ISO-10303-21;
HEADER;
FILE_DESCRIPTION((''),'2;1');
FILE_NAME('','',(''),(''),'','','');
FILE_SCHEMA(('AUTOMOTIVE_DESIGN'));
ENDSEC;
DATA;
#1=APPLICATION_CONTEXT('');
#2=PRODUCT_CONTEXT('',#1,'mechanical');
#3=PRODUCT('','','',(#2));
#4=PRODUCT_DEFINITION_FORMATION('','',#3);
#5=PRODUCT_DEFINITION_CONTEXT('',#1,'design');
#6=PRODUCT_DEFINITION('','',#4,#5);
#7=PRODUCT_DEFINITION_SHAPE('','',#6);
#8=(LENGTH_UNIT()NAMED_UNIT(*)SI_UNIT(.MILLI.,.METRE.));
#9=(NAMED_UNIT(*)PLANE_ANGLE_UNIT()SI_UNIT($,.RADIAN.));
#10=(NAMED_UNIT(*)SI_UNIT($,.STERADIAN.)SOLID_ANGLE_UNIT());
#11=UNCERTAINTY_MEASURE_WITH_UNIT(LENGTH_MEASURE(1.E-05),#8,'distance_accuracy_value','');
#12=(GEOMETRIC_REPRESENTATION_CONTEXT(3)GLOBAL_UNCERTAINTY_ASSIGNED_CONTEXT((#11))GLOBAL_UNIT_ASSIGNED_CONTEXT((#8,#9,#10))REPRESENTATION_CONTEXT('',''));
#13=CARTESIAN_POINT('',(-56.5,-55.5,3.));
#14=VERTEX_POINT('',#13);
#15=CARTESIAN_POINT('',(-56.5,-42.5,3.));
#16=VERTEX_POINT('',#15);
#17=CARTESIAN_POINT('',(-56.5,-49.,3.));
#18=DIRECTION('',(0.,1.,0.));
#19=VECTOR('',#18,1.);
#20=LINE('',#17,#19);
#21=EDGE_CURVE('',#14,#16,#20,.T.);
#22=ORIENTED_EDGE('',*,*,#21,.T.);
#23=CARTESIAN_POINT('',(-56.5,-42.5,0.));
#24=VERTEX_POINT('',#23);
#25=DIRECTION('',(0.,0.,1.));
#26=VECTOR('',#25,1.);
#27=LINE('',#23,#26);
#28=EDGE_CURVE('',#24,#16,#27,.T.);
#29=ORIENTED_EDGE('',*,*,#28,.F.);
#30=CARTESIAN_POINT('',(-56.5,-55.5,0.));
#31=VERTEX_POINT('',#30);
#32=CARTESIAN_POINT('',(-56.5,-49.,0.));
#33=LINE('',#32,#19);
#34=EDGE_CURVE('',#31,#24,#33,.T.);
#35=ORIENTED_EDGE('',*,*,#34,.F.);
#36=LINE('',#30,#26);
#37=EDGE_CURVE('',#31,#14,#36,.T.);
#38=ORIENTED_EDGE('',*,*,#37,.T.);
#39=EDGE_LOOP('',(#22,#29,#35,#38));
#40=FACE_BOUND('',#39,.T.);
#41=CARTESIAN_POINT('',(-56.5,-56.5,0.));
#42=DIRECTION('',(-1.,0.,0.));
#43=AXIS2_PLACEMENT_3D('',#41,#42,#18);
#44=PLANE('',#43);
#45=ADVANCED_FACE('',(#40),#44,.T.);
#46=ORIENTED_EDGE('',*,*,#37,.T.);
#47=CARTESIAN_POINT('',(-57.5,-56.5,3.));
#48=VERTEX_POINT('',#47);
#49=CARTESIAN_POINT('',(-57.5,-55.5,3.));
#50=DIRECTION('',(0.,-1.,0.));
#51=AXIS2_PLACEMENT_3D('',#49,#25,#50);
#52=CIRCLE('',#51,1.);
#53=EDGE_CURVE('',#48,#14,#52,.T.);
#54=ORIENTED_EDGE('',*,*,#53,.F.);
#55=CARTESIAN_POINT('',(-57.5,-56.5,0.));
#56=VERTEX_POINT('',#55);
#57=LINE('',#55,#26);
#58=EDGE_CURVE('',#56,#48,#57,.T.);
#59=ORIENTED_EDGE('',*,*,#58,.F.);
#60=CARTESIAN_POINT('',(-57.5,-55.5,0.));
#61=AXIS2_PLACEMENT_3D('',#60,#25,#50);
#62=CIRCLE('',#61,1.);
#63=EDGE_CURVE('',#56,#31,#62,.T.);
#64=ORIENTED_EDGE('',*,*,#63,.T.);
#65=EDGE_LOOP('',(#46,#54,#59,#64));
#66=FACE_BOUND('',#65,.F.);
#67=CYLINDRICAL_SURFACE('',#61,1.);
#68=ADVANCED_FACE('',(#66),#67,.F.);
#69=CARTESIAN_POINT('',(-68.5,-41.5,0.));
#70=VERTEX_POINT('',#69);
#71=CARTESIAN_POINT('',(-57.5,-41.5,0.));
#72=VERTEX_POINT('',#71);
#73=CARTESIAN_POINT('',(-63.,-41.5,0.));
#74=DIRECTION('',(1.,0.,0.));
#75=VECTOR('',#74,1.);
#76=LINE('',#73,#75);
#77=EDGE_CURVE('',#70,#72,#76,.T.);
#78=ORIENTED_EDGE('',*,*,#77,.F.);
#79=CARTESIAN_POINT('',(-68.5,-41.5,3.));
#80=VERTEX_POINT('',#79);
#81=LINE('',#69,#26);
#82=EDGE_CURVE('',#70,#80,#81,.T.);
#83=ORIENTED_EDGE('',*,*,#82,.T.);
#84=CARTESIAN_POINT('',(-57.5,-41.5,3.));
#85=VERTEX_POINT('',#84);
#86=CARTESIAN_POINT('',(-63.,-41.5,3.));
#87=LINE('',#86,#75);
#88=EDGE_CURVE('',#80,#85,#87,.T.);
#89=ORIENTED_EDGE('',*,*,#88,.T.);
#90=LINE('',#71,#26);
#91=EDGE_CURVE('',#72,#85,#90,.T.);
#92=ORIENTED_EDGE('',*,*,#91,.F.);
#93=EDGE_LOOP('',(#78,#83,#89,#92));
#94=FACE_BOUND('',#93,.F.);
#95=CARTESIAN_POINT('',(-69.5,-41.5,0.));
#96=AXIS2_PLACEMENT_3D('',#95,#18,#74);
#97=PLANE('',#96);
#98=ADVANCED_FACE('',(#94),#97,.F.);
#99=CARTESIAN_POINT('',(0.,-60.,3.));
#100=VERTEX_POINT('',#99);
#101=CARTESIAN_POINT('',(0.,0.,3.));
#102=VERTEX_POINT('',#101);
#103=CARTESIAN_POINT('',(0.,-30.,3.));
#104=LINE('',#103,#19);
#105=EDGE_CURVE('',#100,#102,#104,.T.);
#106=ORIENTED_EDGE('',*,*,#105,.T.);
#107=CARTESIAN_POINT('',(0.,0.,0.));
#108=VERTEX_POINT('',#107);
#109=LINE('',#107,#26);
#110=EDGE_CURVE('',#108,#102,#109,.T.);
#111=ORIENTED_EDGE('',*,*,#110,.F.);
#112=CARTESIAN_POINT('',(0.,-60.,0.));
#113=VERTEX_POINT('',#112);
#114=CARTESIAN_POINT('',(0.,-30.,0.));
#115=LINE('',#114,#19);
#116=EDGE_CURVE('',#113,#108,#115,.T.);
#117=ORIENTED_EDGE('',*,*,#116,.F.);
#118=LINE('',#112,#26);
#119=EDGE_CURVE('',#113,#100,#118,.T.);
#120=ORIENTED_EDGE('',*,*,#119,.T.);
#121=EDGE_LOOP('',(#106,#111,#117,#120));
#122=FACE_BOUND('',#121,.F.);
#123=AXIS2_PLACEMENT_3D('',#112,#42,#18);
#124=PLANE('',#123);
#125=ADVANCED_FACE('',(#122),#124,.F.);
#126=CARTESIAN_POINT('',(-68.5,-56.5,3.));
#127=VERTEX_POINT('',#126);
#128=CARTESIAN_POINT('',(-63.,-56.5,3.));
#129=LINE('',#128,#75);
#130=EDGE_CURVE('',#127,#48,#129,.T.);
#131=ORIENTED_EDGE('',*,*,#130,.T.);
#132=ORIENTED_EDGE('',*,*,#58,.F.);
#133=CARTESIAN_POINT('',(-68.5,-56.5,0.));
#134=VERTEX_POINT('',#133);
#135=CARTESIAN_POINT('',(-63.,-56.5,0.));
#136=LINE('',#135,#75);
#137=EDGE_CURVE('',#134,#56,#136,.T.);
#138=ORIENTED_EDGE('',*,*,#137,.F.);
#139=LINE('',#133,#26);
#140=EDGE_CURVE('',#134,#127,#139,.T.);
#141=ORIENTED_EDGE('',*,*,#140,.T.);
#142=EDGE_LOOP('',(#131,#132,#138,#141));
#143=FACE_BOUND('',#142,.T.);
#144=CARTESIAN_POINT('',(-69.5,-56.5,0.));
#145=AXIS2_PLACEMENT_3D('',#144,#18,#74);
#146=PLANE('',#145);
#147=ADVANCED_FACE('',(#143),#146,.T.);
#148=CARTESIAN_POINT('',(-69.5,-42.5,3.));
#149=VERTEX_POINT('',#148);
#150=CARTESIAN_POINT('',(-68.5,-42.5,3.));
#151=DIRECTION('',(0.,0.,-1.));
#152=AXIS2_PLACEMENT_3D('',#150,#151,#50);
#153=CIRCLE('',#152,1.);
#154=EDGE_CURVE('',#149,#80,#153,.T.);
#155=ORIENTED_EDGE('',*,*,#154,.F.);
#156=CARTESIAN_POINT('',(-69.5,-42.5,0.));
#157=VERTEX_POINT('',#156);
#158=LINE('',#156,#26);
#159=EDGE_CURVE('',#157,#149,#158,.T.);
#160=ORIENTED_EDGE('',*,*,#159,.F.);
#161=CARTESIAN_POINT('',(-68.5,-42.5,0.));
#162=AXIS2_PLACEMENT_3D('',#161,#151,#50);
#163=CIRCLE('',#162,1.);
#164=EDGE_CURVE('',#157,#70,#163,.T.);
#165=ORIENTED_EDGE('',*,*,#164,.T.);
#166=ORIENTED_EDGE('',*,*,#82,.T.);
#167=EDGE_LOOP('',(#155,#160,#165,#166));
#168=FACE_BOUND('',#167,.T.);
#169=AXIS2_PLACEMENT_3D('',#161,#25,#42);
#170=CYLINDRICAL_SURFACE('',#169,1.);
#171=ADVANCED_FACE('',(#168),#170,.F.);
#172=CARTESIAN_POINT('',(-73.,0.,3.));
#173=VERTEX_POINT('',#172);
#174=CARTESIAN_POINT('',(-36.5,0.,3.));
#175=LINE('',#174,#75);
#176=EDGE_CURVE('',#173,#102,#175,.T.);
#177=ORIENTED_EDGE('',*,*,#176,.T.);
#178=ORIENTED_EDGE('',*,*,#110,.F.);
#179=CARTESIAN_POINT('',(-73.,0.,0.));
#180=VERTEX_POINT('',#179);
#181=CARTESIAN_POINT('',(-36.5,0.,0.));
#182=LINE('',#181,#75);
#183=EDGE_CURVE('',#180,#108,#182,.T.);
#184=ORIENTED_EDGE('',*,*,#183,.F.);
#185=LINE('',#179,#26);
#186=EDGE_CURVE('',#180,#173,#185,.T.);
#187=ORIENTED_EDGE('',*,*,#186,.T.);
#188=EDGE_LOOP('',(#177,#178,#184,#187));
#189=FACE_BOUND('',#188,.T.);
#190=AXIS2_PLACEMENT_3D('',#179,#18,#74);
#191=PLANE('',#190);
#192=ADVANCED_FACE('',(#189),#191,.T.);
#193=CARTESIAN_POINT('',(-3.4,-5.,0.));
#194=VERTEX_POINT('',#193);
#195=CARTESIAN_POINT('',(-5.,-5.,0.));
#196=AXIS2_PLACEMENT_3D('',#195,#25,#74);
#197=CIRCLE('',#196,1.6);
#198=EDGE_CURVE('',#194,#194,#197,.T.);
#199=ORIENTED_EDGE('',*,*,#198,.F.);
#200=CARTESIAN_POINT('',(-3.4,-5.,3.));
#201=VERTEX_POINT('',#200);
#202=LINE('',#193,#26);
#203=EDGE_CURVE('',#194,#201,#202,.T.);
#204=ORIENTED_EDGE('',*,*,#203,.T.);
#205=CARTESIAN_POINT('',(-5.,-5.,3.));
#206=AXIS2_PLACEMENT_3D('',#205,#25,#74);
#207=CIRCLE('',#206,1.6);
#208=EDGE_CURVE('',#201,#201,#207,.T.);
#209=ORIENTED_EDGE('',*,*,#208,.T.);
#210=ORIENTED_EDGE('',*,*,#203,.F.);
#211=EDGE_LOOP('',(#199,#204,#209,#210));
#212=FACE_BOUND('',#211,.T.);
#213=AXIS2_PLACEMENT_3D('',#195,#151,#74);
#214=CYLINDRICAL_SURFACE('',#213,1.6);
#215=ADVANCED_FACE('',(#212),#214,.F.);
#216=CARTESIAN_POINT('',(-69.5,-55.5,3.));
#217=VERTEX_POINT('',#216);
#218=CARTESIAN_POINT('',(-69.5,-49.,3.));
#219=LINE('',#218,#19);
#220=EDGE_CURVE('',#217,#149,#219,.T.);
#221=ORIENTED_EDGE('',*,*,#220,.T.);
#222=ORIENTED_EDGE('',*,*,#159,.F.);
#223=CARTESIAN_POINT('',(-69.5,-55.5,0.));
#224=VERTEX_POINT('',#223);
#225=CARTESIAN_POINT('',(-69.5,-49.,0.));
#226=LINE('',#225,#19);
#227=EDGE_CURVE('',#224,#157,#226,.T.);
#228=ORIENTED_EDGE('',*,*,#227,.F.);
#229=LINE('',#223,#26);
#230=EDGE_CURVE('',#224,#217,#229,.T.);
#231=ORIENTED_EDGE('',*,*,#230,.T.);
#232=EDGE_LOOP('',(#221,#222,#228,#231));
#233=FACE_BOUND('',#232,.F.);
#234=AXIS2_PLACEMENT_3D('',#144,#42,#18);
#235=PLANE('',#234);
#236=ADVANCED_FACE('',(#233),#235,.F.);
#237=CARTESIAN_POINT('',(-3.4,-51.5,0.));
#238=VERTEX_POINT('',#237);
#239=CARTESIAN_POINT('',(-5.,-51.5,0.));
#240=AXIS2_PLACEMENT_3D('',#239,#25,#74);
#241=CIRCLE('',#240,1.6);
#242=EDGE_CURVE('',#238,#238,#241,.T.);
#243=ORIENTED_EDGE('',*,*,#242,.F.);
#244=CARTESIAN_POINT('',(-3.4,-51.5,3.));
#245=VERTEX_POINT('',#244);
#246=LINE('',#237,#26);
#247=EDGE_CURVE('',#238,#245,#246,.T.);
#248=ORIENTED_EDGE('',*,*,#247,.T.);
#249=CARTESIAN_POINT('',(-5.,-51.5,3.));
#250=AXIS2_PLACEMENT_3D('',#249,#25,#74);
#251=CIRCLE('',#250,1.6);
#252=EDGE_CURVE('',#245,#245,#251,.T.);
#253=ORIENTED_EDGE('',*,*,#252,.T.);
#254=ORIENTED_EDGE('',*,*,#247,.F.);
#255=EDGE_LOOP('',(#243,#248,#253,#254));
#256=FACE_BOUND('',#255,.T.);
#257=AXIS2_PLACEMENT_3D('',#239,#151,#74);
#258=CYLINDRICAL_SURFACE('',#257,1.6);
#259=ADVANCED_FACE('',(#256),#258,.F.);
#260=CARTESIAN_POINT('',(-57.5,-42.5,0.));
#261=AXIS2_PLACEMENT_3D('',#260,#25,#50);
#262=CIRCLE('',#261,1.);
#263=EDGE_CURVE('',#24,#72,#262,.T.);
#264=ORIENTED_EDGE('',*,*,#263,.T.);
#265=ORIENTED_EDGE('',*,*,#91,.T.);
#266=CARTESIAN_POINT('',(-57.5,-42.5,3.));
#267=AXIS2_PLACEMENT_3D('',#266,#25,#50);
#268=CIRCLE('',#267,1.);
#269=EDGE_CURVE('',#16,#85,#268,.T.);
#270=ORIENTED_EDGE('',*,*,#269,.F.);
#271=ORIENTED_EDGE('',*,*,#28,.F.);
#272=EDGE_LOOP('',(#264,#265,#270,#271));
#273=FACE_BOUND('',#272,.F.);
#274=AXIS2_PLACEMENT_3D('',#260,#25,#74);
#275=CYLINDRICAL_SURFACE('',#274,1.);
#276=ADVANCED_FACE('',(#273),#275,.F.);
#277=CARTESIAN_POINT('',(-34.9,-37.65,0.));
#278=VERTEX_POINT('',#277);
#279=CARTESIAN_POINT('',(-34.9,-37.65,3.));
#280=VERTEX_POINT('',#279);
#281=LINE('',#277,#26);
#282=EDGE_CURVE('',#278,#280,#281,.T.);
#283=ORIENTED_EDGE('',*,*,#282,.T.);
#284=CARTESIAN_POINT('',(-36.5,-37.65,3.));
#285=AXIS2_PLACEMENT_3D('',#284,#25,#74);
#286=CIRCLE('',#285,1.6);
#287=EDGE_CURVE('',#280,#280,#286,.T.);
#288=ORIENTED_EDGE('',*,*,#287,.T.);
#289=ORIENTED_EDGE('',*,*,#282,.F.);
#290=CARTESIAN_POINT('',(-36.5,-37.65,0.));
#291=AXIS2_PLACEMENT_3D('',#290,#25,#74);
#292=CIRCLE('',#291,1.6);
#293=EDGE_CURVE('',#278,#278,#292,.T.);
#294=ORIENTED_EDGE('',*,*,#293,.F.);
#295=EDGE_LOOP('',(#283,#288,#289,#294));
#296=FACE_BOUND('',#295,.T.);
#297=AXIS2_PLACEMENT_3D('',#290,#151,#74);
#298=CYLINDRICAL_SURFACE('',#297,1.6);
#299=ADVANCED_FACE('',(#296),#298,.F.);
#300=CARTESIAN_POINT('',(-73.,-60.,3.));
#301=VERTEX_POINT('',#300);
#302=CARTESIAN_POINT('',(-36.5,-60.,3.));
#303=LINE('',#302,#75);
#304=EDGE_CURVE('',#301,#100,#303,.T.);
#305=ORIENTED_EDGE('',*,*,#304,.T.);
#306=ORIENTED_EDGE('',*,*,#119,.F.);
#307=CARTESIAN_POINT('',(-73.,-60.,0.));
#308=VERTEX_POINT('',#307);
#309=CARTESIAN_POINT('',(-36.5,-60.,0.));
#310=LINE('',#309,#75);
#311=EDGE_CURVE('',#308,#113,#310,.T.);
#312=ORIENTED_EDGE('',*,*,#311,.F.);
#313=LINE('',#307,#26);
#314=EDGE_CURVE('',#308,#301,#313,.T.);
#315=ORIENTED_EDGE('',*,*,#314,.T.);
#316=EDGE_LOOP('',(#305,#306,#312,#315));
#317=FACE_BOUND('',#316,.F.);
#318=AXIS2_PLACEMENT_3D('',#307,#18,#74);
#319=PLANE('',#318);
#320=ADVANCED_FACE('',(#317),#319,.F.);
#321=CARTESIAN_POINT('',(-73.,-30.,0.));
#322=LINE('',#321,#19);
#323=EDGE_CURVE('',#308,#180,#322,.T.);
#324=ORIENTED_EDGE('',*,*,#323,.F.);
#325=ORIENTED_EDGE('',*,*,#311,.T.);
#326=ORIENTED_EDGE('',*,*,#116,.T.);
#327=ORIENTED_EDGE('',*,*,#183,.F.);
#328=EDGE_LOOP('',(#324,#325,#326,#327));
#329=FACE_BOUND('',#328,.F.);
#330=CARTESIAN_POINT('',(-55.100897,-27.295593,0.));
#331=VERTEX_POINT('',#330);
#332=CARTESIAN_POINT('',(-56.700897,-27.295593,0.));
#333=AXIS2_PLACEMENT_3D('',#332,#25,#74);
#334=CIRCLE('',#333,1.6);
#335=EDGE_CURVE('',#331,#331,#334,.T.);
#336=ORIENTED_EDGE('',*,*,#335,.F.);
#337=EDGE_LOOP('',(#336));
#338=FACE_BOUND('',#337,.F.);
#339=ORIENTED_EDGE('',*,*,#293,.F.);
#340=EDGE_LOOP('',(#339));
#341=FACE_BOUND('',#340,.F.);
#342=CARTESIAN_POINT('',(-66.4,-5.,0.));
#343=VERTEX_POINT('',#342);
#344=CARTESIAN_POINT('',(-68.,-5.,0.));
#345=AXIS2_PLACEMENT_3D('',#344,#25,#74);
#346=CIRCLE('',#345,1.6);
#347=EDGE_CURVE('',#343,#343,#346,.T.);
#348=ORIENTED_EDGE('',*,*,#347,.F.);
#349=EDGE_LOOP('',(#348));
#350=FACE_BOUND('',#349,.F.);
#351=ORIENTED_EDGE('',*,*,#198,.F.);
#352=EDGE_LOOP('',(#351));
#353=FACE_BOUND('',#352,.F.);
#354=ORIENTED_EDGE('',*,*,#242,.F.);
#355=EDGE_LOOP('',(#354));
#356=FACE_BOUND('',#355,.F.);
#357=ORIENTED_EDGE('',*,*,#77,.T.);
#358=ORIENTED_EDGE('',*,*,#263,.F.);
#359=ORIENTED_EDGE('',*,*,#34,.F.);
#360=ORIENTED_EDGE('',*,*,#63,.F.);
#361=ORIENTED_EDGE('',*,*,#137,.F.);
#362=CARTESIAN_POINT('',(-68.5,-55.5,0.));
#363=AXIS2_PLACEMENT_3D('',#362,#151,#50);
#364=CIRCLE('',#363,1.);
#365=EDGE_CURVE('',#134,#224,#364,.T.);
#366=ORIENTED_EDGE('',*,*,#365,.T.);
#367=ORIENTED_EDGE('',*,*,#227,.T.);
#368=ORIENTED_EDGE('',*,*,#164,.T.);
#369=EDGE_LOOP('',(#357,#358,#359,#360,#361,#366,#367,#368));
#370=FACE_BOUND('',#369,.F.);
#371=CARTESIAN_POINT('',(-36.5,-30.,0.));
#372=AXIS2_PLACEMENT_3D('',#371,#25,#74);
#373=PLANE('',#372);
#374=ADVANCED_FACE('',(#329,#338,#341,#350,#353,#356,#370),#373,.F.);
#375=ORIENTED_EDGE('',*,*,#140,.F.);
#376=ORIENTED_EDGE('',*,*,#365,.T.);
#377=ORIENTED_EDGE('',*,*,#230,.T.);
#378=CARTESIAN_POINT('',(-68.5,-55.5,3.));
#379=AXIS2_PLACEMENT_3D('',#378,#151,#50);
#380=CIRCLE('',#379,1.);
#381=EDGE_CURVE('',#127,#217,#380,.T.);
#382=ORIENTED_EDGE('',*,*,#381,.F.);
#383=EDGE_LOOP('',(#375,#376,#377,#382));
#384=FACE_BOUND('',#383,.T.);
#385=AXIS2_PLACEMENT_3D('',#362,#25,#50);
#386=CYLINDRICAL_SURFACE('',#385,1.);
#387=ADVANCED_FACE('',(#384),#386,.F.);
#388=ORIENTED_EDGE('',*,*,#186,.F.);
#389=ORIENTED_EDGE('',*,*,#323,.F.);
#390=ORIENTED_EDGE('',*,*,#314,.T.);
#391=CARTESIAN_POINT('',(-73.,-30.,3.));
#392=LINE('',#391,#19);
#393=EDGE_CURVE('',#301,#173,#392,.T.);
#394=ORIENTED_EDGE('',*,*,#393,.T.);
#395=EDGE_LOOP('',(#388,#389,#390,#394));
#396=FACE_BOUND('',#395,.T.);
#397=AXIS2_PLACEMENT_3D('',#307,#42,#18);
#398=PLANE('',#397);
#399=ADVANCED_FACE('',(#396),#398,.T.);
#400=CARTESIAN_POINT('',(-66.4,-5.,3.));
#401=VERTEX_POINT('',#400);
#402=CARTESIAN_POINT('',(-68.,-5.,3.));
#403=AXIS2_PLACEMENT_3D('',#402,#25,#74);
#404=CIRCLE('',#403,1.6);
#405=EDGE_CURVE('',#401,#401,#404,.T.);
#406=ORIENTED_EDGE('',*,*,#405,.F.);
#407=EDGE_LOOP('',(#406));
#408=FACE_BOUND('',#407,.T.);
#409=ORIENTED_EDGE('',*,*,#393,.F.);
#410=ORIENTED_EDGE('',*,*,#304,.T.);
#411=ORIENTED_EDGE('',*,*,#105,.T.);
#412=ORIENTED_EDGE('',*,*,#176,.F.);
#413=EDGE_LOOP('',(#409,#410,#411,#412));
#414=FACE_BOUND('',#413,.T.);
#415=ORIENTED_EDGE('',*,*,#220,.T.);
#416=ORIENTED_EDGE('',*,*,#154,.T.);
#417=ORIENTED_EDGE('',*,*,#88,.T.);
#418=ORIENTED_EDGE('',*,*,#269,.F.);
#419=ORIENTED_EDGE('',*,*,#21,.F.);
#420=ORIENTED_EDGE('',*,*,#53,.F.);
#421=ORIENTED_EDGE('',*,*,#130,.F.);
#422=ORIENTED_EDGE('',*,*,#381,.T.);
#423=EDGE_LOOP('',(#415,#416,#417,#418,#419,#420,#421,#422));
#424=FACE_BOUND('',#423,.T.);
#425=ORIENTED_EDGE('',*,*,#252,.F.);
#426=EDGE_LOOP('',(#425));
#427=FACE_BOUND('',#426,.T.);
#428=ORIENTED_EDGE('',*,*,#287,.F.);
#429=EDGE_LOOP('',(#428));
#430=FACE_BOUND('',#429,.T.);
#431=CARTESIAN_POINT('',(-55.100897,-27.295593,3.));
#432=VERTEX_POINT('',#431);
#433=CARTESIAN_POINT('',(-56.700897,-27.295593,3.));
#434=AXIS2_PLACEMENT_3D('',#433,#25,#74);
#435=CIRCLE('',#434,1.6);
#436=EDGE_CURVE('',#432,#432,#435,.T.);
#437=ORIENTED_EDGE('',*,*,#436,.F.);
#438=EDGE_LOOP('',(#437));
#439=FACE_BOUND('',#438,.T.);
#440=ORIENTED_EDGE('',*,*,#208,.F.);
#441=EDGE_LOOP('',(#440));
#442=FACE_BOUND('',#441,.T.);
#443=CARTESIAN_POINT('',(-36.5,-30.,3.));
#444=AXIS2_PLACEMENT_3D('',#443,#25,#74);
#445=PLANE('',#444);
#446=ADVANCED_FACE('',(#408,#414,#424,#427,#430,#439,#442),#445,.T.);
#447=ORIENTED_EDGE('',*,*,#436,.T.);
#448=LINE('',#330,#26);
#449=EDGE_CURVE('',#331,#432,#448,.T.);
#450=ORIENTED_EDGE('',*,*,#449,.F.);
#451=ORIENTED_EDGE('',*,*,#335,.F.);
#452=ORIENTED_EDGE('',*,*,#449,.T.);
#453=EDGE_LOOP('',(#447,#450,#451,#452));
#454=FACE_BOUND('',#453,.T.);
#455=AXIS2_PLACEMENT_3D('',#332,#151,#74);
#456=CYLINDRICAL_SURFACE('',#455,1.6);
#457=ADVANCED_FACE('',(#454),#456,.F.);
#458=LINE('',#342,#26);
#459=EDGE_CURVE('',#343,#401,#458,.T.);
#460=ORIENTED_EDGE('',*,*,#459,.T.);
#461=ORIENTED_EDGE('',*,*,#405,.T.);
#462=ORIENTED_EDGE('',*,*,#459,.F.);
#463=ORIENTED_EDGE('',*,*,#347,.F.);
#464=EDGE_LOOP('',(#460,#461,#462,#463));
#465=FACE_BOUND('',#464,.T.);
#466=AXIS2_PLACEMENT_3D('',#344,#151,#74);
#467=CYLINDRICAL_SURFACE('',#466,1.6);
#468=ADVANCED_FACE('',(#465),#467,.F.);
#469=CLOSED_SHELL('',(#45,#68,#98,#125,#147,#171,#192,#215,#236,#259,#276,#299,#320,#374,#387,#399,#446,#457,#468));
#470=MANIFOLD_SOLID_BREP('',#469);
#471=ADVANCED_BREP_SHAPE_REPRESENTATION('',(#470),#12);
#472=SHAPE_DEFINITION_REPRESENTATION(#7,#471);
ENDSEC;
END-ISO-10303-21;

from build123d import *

# Parameters (mm, degrees)
F0_W     = 73
F0_H     = 60
F0_W_2   = 13
F0_H_2   = 15
F0_R     = 1.6
F1_DEPTH = 3
F2_R     = 1


with BuildPart() as f1:
    # F0 (on Top) → F1 (new body)
    with BuildSketch(Plane.XY):
        with Locations((-36.5, -30)):
            Rectangle(F0_W, F0_H)
        with Locations((-63, -49)):
            Rectangle(F0_W_2, F0_H_2, mode=Mode.SUBTRACT)
        with Locations((-5, -51.5)):
            Circle(F0_R, mode=Mode.SUBTRACT)
        with Locations((-36.5, -37.65)):
            Circle(F0_R, mode=Mode.SUBTRACT)
        with Locations((-56.700897, -27.295593)):
            Circle(F0_R, mode=Mode.SUBTRACT)
        with Locations((-68, -5)):
            Circle(F0_R, mode=Mode.SUBTRACT)
        with Locations((-5, -5)):
            Circle(F0_R, mode=Mode.SUBTRACT)
    extrude(amount=F1_DEPTH)

    # F2
    f2_edges = [f1.edges().sort_by_distance(p)[0] for p in [
        (-69.5, -41.5, 1.5),
        (-56.5, -56.5, 1.5),
        (-69.5, -56.5, 1.5),
        (-56.5, -41.5, 1.5),
    ]]
    fillet(f2_edges, radius=F2_R)


solid = f1.part
